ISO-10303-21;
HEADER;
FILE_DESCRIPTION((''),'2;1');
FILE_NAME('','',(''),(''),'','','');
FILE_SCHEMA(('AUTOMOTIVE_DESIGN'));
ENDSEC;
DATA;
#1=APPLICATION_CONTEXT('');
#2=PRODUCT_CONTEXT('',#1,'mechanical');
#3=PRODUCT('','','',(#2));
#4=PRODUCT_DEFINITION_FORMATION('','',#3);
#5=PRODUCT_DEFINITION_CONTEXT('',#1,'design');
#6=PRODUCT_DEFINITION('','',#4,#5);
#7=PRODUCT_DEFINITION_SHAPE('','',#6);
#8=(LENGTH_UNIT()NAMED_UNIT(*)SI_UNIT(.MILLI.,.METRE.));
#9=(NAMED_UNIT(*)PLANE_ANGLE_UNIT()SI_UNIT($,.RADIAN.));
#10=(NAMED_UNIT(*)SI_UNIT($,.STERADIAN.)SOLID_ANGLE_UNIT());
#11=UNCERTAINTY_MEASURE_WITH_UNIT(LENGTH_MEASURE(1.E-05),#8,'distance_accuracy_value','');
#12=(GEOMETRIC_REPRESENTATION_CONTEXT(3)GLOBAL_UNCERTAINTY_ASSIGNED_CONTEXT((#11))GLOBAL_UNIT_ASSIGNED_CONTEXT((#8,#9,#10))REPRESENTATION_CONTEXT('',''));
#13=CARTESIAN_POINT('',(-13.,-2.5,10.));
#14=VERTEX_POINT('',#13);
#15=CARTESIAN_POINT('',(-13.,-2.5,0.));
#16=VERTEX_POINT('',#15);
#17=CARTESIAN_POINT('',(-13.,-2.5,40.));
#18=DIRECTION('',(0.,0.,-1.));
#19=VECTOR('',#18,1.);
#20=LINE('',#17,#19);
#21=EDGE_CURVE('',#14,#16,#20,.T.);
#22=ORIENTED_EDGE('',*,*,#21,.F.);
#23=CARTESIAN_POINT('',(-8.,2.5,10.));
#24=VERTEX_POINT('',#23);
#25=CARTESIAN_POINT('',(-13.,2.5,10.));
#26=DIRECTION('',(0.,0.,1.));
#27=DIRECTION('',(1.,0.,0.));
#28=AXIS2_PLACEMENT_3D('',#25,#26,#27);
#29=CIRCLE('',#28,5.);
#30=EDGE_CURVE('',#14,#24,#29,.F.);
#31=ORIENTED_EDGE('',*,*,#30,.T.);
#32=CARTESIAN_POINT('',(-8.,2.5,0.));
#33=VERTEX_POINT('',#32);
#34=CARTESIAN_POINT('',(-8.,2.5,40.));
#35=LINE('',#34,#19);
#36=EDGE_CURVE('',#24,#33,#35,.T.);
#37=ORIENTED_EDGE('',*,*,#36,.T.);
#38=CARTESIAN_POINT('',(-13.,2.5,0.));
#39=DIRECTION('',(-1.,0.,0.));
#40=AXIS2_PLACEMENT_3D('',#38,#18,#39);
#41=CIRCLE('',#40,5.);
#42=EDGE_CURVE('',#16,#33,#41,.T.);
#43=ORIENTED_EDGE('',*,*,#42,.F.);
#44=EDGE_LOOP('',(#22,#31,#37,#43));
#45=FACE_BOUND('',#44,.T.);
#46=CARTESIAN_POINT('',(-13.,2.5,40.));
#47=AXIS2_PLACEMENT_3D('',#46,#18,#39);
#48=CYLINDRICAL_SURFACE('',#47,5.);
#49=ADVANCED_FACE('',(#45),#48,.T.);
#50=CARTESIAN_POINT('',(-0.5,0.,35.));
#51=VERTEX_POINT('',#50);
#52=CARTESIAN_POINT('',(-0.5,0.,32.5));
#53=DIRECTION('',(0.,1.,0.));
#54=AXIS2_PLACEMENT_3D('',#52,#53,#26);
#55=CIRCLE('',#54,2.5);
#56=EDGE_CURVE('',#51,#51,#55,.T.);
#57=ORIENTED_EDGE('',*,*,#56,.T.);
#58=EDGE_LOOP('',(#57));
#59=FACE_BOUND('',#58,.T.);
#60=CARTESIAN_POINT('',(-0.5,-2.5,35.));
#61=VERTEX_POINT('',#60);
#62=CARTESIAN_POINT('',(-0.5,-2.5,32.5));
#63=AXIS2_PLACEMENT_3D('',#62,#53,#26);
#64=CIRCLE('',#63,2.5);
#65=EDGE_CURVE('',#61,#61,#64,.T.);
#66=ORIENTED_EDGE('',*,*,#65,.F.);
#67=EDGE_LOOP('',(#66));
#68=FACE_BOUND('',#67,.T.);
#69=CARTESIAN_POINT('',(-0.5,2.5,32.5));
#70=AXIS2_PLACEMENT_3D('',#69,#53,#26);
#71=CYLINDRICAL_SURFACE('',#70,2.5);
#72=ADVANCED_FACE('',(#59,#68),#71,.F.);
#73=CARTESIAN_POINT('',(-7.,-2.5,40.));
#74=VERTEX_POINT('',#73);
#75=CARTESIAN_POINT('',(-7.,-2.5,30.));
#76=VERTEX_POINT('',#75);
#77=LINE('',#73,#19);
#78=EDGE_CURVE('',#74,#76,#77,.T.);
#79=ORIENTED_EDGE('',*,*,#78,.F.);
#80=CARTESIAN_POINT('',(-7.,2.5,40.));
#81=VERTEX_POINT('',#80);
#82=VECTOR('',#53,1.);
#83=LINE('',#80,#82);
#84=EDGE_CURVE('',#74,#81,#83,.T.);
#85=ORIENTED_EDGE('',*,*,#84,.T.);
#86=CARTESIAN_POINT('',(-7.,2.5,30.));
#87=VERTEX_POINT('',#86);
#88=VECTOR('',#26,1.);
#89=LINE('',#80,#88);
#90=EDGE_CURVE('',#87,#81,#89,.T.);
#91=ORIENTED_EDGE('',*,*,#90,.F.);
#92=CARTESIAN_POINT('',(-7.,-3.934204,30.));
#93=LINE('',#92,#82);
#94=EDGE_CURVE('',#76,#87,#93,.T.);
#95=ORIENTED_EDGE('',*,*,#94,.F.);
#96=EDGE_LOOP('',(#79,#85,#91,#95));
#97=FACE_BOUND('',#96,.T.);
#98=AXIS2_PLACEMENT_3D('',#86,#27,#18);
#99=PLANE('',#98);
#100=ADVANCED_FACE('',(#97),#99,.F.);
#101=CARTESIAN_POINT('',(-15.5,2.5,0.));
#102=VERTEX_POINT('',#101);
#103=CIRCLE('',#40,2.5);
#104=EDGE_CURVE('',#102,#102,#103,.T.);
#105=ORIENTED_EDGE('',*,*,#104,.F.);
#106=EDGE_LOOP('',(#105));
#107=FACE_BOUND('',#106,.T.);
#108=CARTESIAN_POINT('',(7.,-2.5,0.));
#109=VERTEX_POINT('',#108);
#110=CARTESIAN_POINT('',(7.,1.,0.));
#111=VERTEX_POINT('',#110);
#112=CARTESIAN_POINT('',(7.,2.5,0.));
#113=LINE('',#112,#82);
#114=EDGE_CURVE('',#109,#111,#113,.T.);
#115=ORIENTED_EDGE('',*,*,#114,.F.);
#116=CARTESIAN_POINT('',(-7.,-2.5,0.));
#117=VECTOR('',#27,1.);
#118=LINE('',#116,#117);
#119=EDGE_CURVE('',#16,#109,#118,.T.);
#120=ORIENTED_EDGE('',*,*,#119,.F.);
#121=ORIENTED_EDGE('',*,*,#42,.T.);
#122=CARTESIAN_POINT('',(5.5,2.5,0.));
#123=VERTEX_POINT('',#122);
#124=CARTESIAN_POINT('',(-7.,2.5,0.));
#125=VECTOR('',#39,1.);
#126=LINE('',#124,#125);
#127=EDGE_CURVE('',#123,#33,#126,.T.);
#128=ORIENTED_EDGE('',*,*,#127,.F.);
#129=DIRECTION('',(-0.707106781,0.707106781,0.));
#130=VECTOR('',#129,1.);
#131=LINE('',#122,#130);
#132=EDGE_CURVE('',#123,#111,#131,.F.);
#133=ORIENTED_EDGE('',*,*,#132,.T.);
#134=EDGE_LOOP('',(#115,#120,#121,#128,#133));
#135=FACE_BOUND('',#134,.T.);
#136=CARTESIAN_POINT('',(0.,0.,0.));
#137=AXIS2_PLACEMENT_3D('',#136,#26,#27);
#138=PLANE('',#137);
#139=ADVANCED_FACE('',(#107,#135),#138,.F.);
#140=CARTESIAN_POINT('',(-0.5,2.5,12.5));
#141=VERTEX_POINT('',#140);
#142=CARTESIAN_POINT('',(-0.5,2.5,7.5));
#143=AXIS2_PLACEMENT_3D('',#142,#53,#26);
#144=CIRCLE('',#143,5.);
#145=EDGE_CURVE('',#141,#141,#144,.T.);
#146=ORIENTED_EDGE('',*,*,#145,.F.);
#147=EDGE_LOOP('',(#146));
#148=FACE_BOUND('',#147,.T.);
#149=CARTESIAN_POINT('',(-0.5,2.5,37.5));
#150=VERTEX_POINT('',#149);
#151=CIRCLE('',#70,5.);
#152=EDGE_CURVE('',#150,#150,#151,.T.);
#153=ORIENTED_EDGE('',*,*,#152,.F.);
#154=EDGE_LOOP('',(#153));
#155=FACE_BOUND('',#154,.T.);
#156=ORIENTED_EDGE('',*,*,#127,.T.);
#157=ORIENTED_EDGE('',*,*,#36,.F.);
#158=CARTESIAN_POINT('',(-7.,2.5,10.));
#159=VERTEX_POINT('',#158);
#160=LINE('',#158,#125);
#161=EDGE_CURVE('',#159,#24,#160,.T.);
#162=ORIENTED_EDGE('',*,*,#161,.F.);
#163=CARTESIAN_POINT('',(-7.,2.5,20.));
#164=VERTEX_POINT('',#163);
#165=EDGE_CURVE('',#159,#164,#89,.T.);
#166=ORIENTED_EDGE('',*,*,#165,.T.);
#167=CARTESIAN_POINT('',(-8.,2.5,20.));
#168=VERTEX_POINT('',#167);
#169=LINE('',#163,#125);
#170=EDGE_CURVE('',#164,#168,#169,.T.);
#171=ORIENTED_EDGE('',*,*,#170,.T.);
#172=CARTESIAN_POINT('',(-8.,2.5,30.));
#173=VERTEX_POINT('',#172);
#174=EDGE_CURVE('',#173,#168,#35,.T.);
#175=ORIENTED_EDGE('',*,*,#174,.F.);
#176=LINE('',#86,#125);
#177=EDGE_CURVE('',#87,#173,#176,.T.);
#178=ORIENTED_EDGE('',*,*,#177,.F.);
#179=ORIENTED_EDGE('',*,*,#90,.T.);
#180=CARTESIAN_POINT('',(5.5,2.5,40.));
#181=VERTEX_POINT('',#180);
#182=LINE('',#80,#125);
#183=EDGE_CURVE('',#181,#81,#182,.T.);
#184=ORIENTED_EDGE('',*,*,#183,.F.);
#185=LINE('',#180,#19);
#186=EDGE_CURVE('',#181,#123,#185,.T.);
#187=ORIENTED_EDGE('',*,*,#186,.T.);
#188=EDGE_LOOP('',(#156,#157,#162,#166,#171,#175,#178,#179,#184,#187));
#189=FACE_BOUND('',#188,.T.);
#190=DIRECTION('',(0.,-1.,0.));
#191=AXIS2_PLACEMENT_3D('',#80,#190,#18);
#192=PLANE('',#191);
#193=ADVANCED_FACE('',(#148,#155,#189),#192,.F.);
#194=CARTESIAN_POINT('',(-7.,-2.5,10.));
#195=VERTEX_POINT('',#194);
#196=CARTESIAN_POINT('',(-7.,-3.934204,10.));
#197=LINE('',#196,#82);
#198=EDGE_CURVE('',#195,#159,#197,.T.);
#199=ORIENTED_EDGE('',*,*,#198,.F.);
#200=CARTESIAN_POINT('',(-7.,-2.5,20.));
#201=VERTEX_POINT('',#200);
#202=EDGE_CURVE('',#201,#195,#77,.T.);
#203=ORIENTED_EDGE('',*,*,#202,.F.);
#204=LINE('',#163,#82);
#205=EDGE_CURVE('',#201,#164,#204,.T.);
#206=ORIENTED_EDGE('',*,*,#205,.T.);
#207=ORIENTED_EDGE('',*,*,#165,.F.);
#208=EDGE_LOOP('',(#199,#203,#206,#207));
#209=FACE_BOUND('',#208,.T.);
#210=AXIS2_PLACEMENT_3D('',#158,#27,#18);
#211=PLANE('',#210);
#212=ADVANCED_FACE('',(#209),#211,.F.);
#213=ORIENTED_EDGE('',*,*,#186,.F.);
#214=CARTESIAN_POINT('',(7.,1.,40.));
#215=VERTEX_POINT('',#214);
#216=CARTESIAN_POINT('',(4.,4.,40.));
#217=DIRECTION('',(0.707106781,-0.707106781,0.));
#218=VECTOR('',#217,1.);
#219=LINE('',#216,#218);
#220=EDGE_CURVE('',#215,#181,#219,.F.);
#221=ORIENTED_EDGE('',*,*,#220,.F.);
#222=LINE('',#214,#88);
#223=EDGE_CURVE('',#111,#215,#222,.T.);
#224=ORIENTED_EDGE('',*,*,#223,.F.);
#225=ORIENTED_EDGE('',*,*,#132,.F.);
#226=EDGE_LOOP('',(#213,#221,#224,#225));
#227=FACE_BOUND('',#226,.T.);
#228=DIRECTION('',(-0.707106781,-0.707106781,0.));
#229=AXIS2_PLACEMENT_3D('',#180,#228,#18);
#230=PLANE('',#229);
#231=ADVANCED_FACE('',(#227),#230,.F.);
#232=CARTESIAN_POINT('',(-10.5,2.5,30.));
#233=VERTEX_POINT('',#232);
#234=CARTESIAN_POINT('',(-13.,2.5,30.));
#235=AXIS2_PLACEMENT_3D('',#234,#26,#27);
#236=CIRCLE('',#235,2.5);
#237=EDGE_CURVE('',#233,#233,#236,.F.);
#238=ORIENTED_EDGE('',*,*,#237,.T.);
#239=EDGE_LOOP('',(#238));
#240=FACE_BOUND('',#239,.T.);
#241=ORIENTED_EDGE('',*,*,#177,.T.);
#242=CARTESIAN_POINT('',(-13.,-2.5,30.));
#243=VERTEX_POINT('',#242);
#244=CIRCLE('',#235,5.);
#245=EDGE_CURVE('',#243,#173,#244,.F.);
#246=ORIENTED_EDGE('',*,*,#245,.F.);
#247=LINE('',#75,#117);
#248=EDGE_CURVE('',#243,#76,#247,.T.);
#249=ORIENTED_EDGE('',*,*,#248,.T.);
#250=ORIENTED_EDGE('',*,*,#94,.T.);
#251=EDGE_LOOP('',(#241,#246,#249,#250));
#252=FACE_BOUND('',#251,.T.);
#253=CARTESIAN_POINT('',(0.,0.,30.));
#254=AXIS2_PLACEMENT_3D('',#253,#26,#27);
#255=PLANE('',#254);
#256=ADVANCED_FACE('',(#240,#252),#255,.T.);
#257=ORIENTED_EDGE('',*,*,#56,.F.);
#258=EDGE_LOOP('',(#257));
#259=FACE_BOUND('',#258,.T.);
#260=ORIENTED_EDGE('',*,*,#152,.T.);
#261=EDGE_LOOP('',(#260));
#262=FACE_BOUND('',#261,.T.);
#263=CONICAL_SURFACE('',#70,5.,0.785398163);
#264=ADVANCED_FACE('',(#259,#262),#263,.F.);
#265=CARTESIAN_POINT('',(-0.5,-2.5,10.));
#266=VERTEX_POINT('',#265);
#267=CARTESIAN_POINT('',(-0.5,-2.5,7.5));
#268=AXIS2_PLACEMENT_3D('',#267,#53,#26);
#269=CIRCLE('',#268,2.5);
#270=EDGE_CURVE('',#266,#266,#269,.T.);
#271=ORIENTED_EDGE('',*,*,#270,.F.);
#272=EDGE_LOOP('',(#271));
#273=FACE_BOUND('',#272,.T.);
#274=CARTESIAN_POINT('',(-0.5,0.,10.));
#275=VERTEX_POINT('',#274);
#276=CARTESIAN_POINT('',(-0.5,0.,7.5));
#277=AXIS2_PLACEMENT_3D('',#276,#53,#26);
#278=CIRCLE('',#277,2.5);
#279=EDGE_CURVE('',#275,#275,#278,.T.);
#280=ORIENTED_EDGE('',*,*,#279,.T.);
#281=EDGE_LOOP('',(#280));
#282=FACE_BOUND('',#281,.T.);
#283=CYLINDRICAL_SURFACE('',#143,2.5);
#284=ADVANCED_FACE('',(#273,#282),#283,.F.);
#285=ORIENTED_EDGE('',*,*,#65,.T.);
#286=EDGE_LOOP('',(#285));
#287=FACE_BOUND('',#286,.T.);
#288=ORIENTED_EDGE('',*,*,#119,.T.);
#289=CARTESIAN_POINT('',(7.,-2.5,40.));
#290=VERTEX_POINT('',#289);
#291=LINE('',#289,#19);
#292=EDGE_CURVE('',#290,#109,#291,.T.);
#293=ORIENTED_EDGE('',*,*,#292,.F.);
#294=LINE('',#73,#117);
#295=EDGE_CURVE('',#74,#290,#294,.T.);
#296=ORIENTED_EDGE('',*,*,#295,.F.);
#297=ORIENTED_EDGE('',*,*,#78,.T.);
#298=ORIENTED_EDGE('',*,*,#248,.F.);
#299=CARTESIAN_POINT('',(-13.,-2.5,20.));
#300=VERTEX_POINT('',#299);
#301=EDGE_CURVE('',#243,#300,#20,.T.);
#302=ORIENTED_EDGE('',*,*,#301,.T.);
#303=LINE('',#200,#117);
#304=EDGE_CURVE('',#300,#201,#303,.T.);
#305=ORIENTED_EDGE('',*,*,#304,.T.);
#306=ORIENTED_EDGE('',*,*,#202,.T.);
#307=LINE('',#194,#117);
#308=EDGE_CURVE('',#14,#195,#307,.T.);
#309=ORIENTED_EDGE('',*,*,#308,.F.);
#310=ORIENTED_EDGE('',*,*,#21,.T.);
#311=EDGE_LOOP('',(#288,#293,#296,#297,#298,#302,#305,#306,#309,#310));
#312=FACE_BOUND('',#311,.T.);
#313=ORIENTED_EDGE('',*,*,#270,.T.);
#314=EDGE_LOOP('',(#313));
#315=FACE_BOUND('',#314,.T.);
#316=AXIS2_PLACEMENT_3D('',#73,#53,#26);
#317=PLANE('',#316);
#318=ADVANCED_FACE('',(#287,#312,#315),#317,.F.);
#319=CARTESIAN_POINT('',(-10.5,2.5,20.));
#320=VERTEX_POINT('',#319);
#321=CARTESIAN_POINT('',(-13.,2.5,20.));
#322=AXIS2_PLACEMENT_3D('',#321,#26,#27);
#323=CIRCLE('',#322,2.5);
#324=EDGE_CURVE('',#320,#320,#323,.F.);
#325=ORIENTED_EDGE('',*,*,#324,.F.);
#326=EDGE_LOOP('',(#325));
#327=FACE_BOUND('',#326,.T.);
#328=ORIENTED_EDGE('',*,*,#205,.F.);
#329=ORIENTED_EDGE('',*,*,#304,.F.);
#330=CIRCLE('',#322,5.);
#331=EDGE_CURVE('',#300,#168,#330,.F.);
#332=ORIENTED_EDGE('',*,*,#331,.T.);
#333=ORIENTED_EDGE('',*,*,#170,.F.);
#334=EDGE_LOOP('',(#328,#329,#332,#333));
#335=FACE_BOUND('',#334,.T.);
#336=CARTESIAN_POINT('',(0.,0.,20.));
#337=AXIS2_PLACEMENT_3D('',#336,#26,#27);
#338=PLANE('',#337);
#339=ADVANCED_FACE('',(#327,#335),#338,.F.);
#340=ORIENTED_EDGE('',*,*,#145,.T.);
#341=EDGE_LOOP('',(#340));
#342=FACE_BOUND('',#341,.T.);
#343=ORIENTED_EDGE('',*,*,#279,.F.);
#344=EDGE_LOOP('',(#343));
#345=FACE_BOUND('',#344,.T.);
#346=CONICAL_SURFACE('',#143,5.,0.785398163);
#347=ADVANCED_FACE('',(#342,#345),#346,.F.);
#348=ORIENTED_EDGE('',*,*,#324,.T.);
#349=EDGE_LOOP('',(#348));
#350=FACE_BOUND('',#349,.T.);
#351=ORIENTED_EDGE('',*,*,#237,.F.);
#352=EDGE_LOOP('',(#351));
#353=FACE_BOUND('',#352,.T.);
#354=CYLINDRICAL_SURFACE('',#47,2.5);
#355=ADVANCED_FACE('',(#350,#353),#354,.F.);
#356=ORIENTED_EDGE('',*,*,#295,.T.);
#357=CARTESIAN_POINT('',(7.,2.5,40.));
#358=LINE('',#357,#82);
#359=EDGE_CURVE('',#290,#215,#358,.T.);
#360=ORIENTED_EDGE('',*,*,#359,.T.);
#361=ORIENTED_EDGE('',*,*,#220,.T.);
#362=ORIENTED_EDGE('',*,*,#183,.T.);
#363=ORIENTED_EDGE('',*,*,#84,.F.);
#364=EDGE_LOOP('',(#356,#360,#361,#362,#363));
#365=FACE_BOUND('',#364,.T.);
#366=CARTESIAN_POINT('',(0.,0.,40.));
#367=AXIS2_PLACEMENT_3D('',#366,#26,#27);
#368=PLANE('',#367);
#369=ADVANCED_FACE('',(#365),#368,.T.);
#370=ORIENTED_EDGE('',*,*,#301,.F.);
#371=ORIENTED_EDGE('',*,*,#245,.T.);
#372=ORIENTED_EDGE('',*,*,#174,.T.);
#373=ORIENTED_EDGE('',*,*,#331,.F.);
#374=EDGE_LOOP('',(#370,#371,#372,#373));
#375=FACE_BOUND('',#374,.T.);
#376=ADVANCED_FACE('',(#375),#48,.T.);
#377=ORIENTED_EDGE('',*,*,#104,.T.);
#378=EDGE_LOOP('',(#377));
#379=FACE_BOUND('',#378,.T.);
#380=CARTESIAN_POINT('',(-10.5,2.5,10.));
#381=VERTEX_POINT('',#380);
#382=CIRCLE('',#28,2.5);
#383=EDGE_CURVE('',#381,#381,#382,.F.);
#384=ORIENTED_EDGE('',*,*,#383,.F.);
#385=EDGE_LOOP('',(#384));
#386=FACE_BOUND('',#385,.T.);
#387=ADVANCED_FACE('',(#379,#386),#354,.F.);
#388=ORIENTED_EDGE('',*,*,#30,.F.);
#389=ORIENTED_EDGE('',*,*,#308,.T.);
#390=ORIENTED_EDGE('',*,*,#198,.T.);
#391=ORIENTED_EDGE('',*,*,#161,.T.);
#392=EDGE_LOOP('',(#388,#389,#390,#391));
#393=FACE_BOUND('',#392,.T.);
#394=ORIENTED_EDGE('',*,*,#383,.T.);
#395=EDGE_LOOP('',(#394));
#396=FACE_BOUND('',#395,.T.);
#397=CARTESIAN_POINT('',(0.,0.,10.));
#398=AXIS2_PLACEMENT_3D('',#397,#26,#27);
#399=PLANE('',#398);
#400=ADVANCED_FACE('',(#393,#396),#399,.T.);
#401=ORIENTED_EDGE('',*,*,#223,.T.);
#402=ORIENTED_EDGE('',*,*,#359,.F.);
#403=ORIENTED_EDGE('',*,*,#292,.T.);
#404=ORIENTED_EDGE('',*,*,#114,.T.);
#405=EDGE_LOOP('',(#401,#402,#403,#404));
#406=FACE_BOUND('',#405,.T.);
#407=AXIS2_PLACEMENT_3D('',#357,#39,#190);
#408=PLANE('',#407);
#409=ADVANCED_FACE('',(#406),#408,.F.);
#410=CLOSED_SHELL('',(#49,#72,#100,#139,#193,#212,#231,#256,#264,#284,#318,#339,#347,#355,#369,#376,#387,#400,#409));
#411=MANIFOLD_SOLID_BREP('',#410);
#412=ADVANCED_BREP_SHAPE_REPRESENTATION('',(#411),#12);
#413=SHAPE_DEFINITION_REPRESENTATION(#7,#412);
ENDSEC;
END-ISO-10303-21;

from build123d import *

# Parameters (mm, degrees)
SKETCH_1_W                = 14
SKETCH_1_H                = 5
EXTRUDE_1_DEPTH           = 40
SKETCH_3_R                = 2.5
EXTRUDE_2_DEPTH           = 40
CUT_EXTRUDE_1_DEPTH       = 10
PATTERN_LINEAR_1_COUNT    = 2
PATTERN_LINEAR_1_PITCH    = 20
HOLE_WIZARD_1_D           = 5
HOLE_WIZARD_1_CSINK_D     = 10
HOLE_WIZARD_1_CSINK_ANGLE = 90
CHAMFER_2_SIZE            = 1.5


with BuildPart() as part:
    # 草图1 → 凸台-拉伸1 (new body)
    with BuildSketch(Plane.XY):
        Rectangle(SKETCH_1_W, SKETCH_1_H)
    extrude(amount=EXTRUDE_1_DEPTH)

    # 草图3 → 凸台-拉伸2 (add)
    with BuildSketch(Plane(origin=(0, 0, 0), x_dir=(-1, 0, 0), z_dir=(0, 0, -1))):
        with BuildLine():
            Line((8, 2.5), (7, 2.5))
            Line((7, 2.5), (7, -2.5))
            Line((7, -2.5), (13, -2.5))
            ThreePointArc((13, -2.5), (16.535533906, 6.035533906), (8, 2.5))
        make_face()
        with Locations((13, 2.5)):
            Circle(SKETCH_3_R, mode=Mode.SUBTRACT)
    extrude(amount=-EXTRUDE_2_DEPTH)

    # 草图4 → 切除-拉伸1 (cut)
    with BuildSketch(Plane.XY.offset(40)):
        Polygon((-7, 2.5), (-7, 10.867672428), (-20.063850781, 10.867672428), (-20.063850781, -3.934204251), (-7, -3.934204251), align=None)
    cut_extrude_1 = extrude(amount=-CUT_EXTRUDE_1_DEPTH, mode=Mode.SUBTRACT)

    # 阵列(线性)1: 切除-拉伸1 ×2
    with Locations(*[(0, 0, -i * PATTERN_LINEAR_1_PITCH) for i in range(1, PATTERN_LINEAR_1_COUNT)]):
        add(cut_extrude_1, mode=Mode.SUBTRACT)

    # 打孔尺寸(%根据十字)槽半沉头木螺钉的类型1 (through all)
    with Locations(Plane(origin=(0, 2.5, 0), x_dir=(1, 0, 0), z_dir=(0, 1, 0))):
        with Locations((-0.5, -32.5), (-0.5, -7.5)):
            CounterSinkHole(HOLE_WIZARD_1_D / 2, HOLE_WIZARD_1_CSINK_D / 2, counter_sink_angle=HOLE_WIZARD_1_CSINK_ANGLE)

    # 倒角2
    chamfer_2_edges = [part.edges().sort_by_distance(p)[0] for p in [
        (7, 2.5, 20),
    ]]
    chamfer(chamfer_2_edges, length=CHAMFER_2_SIZE)


solid = part.part
